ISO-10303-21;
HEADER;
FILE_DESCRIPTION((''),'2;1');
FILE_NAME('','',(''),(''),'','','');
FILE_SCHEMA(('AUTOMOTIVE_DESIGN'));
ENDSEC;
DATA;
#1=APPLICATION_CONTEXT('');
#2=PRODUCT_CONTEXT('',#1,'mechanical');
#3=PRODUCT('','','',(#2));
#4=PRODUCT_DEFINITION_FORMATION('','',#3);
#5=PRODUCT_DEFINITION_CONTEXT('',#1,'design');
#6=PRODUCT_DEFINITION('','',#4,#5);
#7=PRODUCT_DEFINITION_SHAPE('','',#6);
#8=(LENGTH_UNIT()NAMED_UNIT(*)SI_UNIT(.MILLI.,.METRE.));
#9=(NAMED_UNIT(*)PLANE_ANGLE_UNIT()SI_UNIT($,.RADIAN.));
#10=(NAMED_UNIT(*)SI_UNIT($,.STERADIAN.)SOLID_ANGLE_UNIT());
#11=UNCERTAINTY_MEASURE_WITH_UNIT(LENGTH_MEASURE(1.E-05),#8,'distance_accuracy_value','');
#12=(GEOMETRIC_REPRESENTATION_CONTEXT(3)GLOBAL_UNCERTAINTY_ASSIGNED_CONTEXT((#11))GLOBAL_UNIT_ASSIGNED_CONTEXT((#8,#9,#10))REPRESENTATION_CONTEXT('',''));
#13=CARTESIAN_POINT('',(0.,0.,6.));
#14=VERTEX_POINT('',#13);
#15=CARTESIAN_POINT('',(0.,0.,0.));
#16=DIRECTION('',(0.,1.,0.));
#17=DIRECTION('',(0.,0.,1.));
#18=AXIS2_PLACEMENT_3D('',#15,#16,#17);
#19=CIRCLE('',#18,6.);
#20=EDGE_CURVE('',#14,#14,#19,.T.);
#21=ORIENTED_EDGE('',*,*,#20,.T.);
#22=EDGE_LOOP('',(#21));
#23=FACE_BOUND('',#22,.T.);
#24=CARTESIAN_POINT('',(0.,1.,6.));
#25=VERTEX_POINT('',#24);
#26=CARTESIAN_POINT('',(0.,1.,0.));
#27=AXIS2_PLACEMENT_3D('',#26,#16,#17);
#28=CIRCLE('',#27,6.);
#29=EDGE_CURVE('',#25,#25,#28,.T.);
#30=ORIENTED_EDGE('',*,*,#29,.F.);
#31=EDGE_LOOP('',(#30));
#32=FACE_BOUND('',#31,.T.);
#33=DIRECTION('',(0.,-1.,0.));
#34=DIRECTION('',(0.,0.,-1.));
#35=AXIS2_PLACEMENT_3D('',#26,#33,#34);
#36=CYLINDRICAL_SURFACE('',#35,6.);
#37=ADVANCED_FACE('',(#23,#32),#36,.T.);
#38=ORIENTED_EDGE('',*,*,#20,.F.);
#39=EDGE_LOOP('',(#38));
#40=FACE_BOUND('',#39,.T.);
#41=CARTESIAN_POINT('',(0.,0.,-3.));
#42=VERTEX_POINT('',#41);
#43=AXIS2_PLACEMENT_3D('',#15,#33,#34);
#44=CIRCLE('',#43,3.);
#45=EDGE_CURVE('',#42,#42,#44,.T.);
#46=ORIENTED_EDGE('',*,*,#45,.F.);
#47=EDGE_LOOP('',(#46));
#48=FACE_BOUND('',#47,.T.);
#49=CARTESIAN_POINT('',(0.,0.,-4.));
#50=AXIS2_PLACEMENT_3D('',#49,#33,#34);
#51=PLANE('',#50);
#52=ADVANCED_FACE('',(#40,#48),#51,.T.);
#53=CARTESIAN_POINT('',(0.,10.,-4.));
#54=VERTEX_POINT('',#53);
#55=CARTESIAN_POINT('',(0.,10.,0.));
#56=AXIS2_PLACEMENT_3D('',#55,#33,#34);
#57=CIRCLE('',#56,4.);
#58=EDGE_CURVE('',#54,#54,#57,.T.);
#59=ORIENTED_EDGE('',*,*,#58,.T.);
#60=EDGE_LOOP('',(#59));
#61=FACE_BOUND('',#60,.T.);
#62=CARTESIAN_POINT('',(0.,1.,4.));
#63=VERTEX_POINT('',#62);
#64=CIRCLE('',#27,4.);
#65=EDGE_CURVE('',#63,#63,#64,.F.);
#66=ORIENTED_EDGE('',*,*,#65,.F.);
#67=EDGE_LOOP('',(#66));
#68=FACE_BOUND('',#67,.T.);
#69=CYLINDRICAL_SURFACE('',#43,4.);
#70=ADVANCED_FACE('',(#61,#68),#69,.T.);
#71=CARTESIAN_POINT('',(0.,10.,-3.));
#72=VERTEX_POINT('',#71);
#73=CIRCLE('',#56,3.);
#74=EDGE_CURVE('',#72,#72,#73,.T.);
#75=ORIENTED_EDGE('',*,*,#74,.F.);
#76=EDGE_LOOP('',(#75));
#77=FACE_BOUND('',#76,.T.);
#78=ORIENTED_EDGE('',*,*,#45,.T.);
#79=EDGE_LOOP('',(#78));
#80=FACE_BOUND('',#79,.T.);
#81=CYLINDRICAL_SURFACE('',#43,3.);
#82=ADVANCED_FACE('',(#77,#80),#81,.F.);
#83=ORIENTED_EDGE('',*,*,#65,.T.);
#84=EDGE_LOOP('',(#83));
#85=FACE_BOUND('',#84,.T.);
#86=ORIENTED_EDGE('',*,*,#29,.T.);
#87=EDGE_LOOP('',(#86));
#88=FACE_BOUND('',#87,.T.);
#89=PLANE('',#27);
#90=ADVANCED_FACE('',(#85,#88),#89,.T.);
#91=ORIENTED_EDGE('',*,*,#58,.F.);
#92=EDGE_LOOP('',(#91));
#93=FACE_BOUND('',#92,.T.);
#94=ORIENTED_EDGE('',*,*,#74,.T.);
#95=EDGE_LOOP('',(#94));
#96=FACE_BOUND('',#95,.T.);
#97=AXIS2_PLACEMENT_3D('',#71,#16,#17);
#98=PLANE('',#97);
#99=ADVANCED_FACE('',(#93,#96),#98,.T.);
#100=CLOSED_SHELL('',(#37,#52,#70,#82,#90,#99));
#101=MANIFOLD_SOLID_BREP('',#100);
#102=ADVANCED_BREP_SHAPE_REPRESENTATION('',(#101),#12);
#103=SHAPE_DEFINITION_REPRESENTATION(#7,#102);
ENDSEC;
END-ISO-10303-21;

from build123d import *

# Parameters (mm, degrees)
SKETCH5_W           = 1
SKETCH5_H           = 10
SKETCH3_R           = 6
SKETCH3_R_2         = 4
BOSS_EXTRUDE2_DEPTH = 1


with BuildPart() as part:
    # Sketch5 → Revolve1 (revolve)
    with BuildSketch(Plane(origin=(0, 0, 0), x_dir=(0, 0, -1), z_dir=(1, 0, 0))):
        with Locations((3.5, 5)):
            Rectangle(SKETCH5_W, SKETCH5_H)
    revolve(axis=Axis((0, 0, 0), (0, 1, 0)))

    # Sketch3 → Boss-Extrude2 (add)
    with BuildSketch(Plane(origin=(0, 0, 0), x_dir=(1, 0, 0), z_dir=(0, 1, 0))):
        Circle(SKETCH3_R)
        Circle(SKETCH3_R_2, mode=Mode.SUBTRACT)
    extrude(amount=BOSS_EXTRUDE2_DEPTH)


solid = part.part
